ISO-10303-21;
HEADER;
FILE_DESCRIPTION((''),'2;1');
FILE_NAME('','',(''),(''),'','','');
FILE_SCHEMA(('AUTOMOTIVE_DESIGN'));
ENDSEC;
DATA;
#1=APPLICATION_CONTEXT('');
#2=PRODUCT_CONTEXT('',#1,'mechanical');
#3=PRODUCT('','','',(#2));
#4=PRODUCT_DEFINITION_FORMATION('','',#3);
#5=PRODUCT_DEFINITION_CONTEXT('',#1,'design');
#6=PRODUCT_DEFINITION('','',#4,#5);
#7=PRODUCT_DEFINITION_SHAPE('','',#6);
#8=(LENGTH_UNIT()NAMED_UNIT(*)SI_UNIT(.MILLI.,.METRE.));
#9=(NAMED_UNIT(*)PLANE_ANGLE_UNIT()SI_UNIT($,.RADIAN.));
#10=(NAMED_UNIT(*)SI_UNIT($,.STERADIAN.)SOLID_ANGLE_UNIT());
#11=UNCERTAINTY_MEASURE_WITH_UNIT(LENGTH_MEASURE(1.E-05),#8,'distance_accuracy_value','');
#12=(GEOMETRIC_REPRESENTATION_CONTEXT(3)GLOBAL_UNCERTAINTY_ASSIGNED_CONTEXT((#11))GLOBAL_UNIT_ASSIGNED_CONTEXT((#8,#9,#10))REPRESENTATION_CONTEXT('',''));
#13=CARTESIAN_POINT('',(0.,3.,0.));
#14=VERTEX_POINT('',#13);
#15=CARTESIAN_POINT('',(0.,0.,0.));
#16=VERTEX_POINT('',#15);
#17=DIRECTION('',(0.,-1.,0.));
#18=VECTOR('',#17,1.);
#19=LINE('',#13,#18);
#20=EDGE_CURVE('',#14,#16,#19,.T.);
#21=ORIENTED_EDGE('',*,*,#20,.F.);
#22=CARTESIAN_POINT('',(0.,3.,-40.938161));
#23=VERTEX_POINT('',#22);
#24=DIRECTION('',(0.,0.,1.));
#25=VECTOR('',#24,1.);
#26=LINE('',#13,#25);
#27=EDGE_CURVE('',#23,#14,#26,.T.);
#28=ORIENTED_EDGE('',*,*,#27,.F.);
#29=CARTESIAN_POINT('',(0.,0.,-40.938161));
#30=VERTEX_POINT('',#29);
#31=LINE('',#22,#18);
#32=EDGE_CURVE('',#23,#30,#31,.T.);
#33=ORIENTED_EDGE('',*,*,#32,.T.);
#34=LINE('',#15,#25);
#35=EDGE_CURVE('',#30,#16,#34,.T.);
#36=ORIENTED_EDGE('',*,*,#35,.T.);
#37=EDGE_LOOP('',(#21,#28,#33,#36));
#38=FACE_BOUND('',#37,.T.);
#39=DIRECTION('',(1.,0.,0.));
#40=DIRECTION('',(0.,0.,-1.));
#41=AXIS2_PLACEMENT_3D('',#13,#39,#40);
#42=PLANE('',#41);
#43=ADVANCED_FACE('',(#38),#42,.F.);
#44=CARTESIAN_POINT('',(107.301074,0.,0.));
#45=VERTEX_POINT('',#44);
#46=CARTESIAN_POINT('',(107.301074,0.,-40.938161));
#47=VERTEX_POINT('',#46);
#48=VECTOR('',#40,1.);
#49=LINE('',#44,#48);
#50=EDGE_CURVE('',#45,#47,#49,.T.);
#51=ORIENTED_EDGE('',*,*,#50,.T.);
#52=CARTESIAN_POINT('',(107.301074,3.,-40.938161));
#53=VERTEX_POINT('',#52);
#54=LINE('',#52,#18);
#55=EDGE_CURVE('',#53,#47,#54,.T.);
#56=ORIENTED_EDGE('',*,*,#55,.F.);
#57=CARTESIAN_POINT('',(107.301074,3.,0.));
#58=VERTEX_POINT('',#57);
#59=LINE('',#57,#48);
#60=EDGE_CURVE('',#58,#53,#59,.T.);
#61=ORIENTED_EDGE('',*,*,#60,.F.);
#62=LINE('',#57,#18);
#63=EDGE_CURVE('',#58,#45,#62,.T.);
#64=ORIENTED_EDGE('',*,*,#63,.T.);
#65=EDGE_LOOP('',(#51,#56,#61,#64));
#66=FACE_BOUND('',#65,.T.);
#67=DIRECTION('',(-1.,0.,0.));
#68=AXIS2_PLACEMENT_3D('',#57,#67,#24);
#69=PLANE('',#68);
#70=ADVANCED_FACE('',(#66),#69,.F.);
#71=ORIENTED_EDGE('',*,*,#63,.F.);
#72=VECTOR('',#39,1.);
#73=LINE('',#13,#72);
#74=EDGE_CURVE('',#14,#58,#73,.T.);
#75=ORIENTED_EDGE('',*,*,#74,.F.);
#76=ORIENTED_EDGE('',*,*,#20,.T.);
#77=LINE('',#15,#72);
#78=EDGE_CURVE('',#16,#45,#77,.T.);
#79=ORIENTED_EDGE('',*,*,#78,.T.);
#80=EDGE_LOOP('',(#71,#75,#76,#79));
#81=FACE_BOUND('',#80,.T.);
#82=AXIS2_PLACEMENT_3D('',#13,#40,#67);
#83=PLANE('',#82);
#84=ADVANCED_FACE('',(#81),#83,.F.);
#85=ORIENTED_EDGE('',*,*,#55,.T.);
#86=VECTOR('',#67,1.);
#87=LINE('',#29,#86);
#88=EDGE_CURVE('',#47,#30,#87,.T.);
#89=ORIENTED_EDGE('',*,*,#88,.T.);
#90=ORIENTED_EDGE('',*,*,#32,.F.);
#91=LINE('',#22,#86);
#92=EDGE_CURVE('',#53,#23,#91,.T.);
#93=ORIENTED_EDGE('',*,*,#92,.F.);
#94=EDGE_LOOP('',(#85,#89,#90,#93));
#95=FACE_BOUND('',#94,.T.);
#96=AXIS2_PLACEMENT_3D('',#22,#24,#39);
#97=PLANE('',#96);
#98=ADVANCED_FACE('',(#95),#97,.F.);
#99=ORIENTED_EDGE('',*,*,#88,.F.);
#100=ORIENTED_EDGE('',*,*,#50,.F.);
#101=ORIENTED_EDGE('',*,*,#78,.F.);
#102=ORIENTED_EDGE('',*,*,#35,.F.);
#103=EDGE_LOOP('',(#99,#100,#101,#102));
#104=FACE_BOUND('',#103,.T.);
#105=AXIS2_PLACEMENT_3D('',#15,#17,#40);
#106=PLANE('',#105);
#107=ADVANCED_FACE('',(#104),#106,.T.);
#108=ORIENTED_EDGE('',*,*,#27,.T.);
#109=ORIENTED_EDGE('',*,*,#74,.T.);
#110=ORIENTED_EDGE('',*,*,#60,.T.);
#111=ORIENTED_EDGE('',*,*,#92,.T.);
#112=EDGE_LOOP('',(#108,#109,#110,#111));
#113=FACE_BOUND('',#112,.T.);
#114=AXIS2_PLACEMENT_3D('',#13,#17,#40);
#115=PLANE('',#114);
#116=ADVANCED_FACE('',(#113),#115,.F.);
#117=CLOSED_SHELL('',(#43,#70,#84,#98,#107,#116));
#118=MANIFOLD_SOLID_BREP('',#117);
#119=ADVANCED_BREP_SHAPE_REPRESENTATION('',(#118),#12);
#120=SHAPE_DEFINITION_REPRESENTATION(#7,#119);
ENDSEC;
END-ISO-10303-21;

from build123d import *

# Parameters (mm, degrees)
SKETCH_1_W        = 107.301073658
SKETCH_1_H        = 40.938160633
EXTRUDE_242_DEPTH = 3


with BuildPart() as part:
    # Эскиз1 → Extrude 242 (new body)
    with BuildSketch(Plane(origin=(0, 0, 0), x_dir=(1, 0, 0), z_dir=(0, 1, 0))):
        with Locations((53.650536829, 20.469080317)):
            Rectangle(SKETCH_1_W, SKETCH_1_H)
    extrude(amount=EXTRUDE_242_DEPTH)


solid = part.part
